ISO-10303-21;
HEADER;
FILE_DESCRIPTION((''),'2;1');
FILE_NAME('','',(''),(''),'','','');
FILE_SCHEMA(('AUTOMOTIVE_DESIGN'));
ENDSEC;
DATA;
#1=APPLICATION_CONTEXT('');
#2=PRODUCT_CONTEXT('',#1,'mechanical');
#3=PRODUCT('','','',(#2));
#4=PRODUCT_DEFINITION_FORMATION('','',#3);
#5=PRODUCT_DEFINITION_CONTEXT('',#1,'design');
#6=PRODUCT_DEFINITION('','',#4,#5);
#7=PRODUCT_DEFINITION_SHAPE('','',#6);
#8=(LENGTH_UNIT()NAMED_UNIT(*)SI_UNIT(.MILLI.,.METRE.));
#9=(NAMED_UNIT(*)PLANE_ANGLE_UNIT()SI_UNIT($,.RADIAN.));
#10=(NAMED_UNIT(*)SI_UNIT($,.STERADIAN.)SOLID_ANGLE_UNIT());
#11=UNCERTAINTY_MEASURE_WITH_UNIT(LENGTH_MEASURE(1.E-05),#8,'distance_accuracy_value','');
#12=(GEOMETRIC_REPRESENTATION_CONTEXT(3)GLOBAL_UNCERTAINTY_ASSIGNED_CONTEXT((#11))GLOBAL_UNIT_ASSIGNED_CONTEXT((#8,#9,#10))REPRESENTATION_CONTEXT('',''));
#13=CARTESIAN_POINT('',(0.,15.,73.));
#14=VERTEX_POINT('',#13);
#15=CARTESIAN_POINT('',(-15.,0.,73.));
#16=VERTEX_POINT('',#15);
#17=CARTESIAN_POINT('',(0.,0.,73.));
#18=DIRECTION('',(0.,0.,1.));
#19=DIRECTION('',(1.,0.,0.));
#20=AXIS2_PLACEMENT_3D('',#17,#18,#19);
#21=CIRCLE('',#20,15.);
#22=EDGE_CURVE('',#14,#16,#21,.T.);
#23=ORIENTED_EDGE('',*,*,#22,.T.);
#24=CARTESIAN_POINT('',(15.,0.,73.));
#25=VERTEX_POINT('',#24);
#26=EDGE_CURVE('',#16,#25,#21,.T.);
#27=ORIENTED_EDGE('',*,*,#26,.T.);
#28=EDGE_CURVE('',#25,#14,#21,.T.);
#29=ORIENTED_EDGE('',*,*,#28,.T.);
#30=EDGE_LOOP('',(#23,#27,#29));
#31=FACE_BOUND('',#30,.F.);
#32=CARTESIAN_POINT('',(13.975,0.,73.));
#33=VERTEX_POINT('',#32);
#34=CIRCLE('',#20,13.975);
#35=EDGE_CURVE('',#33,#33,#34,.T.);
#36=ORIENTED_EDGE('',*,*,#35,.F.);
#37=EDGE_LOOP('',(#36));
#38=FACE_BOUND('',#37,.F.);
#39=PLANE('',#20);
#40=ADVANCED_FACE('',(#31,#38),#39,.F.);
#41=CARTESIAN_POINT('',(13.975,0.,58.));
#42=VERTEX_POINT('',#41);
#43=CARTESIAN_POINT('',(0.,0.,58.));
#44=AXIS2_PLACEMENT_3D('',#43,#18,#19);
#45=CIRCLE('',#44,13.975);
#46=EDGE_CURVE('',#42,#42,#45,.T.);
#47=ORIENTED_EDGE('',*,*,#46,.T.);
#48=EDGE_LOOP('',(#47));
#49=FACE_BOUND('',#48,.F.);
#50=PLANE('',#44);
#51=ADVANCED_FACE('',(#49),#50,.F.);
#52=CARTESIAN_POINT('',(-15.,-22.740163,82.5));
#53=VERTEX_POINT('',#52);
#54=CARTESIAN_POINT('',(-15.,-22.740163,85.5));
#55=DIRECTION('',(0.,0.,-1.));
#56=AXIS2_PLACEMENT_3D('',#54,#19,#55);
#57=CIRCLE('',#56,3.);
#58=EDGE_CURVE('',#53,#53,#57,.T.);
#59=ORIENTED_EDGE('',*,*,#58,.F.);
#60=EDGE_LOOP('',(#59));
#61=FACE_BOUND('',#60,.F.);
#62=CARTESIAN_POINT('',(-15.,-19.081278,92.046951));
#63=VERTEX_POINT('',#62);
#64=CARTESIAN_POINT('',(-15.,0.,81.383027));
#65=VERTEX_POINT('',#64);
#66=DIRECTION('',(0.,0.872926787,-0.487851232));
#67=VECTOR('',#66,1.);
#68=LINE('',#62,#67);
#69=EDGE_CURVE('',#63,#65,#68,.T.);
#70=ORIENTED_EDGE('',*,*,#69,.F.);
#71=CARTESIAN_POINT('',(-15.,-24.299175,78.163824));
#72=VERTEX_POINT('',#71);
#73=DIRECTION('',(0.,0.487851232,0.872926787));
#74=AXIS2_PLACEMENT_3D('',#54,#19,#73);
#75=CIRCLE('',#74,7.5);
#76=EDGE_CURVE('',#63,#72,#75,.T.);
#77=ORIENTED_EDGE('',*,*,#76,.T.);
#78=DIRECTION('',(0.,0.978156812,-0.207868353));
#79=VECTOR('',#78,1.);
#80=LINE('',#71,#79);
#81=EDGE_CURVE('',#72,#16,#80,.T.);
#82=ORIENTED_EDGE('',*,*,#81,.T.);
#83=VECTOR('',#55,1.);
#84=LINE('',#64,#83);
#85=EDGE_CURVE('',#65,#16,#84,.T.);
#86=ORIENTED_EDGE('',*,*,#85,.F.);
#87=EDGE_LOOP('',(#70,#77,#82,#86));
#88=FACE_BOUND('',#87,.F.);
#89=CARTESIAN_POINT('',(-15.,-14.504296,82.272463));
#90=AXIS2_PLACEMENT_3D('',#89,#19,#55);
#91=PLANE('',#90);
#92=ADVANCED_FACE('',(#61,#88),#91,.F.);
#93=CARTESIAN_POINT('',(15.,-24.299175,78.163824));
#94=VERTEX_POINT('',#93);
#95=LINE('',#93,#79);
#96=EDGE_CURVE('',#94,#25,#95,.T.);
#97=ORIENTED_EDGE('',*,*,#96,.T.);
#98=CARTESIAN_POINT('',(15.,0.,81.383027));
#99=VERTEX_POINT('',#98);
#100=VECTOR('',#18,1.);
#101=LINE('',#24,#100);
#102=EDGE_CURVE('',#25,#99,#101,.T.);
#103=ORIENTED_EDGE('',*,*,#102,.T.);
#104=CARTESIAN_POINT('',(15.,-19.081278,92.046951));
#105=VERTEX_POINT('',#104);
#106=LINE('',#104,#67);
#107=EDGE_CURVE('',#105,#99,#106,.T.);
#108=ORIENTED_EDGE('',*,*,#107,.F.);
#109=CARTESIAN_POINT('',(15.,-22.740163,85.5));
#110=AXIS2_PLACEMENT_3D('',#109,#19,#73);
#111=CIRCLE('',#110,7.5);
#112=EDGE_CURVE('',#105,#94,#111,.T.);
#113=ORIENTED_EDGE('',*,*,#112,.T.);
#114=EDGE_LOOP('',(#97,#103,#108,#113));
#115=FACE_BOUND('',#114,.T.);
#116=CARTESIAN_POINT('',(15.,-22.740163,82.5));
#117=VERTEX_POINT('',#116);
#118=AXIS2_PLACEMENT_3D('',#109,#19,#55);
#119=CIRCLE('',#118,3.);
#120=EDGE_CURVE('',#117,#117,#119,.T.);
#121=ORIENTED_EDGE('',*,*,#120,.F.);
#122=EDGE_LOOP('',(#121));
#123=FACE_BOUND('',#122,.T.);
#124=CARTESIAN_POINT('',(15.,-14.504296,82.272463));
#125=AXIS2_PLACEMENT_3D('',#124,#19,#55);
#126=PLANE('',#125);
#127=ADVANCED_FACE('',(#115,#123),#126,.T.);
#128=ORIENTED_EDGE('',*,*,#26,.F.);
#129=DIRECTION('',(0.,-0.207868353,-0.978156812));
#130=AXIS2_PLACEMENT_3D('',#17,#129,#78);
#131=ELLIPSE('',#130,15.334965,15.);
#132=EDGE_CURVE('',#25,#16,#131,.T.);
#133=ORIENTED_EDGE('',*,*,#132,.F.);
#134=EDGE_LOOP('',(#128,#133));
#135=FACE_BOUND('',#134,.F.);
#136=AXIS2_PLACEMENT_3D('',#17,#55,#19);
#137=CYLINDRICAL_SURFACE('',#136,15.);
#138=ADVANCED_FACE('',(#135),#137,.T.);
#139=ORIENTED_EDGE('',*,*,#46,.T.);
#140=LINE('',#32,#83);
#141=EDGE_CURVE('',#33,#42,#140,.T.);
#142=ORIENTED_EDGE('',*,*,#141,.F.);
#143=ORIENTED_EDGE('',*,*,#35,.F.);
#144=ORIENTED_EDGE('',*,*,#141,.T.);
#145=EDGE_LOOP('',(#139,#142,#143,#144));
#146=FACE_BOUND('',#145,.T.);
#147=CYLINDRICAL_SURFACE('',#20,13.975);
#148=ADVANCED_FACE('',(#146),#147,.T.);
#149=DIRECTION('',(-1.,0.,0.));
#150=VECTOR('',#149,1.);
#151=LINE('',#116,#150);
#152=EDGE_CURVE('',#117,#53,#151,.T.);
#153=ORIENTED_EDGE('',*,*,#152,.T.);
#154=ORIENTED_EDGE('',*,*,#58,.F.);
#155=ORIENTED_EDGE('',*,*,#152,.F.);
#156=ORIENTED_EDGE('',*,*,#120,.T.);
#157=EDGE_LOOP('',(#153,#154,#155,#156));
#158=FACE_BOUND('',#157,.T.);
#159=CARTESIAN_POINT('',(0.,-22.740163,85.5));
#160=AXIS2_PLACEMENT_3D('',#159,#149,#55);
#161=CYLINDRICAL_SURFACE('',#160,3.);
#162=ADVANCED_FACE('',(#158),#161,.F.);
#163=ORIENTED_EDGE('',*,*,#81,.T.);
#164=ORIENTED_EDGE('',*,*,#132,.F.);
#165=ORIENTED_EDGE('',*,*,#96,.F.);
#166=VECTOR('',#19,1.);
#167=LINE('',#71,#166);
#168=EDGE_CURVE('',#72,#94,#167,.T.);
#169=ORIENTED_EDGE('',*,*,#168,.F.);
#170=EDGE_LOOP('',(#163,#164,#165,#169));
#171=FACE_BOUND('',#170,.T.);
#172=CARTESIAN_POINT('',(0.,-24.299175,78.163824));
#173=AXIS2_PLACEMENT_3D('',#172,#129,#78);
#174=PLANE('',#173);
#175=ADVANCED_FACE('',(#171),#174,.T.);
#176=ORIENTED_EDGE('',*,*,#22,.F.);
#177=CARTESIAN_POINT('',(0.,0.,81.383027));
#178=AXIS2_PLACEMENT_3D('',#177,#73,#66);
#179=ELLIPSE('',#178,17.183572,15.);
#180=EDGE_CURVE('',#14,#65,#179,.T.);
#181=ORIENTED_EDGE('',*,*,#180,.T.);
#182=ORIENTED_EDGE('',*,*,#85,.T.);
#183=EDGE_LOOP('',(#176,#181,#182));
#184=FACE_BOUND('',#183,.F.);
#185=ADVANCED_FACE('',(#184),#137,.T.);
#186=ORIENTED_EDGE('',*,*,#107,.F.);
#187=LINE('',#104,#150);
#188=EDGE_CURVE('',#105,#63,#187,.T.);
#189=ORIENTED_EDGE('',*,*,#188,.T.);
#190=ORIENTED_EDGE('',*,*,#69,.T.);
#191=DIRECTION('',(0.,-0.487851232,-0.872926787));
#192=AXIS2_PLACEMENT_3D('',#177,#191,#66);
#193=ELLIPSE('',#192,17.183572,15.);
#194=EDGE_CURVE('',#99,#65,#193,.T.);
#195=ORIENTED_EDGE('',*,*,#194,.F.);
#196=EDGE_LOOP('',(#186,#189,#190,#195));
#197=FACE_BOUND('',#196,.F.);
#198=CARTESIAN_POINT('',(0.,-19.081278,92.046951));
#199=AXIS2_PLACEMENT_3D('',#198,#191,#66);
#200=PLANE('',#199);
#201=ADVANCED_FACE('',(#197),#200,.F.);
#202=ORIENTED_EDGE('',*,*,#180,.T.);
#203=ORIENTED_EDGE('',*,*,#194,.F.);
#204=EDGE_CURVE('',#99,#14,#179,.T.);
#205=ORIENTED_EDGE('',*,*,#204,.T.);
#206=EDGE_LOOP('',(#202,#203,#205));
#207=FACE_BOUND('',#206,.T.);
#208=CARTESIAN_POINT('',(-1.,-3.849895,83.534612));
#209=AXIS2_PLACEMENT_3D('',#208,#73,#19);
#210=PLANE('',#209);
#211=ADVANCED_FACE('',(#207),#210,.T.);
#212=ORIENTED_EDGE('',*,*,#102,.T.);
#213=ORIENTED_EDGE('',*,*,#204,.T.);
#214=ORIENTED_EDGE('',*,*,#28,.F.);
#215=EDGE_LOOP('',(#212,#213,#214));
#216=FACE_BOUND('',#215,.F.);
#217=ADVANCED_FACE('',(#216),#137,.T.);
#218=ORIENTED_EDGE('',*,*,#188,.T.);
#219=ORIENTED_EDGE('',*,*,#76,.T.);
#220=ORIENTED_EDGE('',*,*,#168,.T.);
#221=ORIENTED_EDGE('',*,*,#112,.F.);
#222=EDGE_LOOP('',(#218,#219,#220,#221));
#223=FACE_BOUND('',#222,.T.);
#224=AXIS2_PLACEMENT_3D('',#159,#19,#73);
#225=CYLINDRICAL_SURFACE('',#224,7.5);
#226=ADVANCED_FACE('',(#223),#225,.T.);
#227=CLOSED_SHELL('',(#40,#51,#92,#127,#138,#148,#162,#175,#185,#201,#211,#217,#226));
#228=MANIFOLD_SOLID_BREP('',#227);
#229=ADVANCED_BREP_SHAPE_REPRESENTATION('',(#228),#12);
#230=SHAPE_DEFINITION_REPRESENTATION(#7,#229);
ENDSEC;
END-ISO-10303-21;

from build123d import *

# Parameters (mm, degrees)
SKETCH002_R  = 13.975
PAD002_DEPTH = 15
SKETCH003_R  = 15
PAD003_DEPTH = 25
SKETCH004_R  = 3
PAD004_DEPTH = 15
BOX_W        = 44
BOX_H        = 61
BOX_DEPTH    = 44


with BuildPart() as part:
    # Sketch002 (on DatumPlane) → Pad002 (new body)
    with BuildSketch(Plane.XY.offset(73)):
        Circle(SKETCH002_R)
    extrude(amount=-PAD002_DEPTH)

    # Sketch003 (on DatumPlane) → Pad003 (join)
    with BuildSketch(Plane.XY.offset(73)):
        Circle(SKETCH003_R)
    extrude(amount=PAD003_DEPTH)

    # Sketch004 (on DatumPlane) → Pad004 (join, symmetric)
    with BuildSketch(Plane(origin=(0, 0, 85.5), x_dir=(0, 0, -1), z_dir=(1, 0, 0))):
        with BuildLine():
            ThreePointArc((-6.5469509024, -19.0812783951), (-2.6386229499, -29.760680346), (7.3361760867, -24.2991752795))
            Line((7.3361760867, -24.2991752795), (12.5, 0))
            Line((4.1169733945, 0), (12.5, 0))
            Line((-6.5469509024, -19.0812783951), (4.1169733945, 0))
        make_face()
        with Locations((0, -22.7401626351)):
            Circle(SKETCH004_R, mode=Mode.SUBTRACT)
    extrude(amount=PAD004_DEPTH, both=True)

    # Box → Box (cut)
    with BuildSketch(Plane(origin=(-23, -30.474162324, 98.414074175), x_dir=(1, 0, 0), z_dir=(0, 0.487851232, 0.872926787))):
        with Locations((22, 30.5)):
            Rectangle(BOX_W, BOX_H)
    extrude(amount=BOX_DEPTH, mode=Mode.SUBTRACT)


solid = part.part
